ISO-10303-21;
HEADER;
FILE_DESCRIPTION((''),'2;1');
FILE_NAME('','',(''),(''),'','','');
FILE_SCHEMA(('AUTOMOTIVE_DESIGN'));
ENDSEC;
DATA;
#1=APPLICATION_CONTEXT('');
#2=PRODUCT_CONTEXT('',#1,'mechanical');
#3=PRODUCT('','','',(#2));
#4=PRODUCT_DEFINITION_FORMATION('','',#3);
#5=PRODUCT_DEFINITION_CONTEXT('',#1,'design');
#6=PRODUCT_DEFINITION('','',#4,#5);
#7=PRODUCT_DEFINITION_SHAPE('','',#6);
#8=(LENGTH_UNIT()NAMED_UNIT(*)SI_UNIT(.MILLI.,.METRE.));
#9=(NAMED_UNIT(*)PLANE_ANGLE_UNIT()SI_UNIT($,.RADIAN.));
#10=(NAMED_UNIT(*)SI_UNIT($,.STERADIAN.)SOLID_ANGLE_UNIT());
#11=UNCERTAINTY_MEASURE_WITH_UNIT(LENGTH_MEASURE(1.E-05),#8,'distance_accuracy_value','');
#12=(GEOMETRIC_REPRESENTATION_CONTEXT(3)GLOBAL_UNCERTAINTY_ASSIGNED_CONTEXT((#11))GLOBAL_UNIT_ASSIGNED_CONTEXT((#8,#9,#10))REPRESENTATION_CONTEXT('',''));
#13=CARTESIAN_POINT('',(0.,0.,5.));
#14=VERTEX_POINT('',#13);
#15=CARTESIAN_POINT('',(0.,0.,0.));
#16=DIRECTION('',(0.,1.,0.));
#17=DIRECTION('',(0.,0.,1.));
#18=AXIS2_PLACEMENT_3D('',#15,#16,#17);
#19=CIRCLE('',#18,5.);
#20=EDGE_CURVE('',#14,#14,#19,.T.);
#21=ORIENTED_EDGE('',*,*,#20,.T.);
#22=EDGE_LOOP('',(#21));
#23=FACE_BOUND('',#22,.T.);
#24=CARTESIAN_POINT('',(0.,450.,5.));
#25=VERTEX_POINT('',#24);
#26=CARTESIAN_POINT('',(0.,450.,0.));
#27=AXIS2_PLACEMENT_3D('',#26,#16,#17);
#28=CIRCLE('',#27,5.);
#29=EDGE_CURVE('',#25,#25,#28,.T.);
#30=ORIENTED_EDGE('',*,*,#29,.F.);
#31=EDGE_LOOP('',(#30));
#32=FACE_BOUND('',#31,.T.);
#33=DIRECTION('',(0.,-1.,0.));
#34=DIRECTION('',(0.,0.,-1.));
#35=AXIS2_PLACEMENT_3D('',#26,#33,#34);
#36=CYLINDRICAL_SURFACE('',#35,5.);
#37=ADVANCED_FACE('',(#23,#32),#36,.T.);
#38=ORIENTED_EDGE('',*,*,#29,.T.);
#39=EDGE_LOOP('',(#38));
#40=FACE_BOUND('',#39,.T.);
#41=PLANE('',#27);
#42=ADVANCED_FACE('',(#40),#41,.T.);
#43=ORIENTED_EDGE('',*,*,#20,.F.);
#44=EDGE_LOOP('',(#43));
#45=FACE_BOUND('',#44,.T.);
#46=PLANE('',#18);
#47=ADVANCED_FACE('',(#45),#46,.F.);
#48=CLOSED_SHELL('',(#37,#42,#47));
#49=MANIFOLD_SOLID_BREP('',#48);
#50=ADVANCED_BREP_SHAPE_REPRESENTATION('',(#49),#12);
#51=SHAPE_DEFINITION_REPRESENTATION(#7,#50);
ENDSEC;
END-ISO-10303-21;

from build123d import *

# Parameters (mm, degrees)
SKETCH1_R           = 5
BOSS_EXTRUDE1_DEPTH = 450


with BuildPart() as part:
    # Sketch1 → Boss-Extrude1 (new body)
    with BuildSketch(Plane(origin=(0, 0, 0), x_dir=(1, 0, 0), z_dir=(0, 1, 0))):
        with Locations(Location((0, 0, 0), (0, 0, 270))):
            Circle(SKETCH1_R)
    extrude(amount=BOSS_EXTRUDE1_DEPTH)


solid = part.part
